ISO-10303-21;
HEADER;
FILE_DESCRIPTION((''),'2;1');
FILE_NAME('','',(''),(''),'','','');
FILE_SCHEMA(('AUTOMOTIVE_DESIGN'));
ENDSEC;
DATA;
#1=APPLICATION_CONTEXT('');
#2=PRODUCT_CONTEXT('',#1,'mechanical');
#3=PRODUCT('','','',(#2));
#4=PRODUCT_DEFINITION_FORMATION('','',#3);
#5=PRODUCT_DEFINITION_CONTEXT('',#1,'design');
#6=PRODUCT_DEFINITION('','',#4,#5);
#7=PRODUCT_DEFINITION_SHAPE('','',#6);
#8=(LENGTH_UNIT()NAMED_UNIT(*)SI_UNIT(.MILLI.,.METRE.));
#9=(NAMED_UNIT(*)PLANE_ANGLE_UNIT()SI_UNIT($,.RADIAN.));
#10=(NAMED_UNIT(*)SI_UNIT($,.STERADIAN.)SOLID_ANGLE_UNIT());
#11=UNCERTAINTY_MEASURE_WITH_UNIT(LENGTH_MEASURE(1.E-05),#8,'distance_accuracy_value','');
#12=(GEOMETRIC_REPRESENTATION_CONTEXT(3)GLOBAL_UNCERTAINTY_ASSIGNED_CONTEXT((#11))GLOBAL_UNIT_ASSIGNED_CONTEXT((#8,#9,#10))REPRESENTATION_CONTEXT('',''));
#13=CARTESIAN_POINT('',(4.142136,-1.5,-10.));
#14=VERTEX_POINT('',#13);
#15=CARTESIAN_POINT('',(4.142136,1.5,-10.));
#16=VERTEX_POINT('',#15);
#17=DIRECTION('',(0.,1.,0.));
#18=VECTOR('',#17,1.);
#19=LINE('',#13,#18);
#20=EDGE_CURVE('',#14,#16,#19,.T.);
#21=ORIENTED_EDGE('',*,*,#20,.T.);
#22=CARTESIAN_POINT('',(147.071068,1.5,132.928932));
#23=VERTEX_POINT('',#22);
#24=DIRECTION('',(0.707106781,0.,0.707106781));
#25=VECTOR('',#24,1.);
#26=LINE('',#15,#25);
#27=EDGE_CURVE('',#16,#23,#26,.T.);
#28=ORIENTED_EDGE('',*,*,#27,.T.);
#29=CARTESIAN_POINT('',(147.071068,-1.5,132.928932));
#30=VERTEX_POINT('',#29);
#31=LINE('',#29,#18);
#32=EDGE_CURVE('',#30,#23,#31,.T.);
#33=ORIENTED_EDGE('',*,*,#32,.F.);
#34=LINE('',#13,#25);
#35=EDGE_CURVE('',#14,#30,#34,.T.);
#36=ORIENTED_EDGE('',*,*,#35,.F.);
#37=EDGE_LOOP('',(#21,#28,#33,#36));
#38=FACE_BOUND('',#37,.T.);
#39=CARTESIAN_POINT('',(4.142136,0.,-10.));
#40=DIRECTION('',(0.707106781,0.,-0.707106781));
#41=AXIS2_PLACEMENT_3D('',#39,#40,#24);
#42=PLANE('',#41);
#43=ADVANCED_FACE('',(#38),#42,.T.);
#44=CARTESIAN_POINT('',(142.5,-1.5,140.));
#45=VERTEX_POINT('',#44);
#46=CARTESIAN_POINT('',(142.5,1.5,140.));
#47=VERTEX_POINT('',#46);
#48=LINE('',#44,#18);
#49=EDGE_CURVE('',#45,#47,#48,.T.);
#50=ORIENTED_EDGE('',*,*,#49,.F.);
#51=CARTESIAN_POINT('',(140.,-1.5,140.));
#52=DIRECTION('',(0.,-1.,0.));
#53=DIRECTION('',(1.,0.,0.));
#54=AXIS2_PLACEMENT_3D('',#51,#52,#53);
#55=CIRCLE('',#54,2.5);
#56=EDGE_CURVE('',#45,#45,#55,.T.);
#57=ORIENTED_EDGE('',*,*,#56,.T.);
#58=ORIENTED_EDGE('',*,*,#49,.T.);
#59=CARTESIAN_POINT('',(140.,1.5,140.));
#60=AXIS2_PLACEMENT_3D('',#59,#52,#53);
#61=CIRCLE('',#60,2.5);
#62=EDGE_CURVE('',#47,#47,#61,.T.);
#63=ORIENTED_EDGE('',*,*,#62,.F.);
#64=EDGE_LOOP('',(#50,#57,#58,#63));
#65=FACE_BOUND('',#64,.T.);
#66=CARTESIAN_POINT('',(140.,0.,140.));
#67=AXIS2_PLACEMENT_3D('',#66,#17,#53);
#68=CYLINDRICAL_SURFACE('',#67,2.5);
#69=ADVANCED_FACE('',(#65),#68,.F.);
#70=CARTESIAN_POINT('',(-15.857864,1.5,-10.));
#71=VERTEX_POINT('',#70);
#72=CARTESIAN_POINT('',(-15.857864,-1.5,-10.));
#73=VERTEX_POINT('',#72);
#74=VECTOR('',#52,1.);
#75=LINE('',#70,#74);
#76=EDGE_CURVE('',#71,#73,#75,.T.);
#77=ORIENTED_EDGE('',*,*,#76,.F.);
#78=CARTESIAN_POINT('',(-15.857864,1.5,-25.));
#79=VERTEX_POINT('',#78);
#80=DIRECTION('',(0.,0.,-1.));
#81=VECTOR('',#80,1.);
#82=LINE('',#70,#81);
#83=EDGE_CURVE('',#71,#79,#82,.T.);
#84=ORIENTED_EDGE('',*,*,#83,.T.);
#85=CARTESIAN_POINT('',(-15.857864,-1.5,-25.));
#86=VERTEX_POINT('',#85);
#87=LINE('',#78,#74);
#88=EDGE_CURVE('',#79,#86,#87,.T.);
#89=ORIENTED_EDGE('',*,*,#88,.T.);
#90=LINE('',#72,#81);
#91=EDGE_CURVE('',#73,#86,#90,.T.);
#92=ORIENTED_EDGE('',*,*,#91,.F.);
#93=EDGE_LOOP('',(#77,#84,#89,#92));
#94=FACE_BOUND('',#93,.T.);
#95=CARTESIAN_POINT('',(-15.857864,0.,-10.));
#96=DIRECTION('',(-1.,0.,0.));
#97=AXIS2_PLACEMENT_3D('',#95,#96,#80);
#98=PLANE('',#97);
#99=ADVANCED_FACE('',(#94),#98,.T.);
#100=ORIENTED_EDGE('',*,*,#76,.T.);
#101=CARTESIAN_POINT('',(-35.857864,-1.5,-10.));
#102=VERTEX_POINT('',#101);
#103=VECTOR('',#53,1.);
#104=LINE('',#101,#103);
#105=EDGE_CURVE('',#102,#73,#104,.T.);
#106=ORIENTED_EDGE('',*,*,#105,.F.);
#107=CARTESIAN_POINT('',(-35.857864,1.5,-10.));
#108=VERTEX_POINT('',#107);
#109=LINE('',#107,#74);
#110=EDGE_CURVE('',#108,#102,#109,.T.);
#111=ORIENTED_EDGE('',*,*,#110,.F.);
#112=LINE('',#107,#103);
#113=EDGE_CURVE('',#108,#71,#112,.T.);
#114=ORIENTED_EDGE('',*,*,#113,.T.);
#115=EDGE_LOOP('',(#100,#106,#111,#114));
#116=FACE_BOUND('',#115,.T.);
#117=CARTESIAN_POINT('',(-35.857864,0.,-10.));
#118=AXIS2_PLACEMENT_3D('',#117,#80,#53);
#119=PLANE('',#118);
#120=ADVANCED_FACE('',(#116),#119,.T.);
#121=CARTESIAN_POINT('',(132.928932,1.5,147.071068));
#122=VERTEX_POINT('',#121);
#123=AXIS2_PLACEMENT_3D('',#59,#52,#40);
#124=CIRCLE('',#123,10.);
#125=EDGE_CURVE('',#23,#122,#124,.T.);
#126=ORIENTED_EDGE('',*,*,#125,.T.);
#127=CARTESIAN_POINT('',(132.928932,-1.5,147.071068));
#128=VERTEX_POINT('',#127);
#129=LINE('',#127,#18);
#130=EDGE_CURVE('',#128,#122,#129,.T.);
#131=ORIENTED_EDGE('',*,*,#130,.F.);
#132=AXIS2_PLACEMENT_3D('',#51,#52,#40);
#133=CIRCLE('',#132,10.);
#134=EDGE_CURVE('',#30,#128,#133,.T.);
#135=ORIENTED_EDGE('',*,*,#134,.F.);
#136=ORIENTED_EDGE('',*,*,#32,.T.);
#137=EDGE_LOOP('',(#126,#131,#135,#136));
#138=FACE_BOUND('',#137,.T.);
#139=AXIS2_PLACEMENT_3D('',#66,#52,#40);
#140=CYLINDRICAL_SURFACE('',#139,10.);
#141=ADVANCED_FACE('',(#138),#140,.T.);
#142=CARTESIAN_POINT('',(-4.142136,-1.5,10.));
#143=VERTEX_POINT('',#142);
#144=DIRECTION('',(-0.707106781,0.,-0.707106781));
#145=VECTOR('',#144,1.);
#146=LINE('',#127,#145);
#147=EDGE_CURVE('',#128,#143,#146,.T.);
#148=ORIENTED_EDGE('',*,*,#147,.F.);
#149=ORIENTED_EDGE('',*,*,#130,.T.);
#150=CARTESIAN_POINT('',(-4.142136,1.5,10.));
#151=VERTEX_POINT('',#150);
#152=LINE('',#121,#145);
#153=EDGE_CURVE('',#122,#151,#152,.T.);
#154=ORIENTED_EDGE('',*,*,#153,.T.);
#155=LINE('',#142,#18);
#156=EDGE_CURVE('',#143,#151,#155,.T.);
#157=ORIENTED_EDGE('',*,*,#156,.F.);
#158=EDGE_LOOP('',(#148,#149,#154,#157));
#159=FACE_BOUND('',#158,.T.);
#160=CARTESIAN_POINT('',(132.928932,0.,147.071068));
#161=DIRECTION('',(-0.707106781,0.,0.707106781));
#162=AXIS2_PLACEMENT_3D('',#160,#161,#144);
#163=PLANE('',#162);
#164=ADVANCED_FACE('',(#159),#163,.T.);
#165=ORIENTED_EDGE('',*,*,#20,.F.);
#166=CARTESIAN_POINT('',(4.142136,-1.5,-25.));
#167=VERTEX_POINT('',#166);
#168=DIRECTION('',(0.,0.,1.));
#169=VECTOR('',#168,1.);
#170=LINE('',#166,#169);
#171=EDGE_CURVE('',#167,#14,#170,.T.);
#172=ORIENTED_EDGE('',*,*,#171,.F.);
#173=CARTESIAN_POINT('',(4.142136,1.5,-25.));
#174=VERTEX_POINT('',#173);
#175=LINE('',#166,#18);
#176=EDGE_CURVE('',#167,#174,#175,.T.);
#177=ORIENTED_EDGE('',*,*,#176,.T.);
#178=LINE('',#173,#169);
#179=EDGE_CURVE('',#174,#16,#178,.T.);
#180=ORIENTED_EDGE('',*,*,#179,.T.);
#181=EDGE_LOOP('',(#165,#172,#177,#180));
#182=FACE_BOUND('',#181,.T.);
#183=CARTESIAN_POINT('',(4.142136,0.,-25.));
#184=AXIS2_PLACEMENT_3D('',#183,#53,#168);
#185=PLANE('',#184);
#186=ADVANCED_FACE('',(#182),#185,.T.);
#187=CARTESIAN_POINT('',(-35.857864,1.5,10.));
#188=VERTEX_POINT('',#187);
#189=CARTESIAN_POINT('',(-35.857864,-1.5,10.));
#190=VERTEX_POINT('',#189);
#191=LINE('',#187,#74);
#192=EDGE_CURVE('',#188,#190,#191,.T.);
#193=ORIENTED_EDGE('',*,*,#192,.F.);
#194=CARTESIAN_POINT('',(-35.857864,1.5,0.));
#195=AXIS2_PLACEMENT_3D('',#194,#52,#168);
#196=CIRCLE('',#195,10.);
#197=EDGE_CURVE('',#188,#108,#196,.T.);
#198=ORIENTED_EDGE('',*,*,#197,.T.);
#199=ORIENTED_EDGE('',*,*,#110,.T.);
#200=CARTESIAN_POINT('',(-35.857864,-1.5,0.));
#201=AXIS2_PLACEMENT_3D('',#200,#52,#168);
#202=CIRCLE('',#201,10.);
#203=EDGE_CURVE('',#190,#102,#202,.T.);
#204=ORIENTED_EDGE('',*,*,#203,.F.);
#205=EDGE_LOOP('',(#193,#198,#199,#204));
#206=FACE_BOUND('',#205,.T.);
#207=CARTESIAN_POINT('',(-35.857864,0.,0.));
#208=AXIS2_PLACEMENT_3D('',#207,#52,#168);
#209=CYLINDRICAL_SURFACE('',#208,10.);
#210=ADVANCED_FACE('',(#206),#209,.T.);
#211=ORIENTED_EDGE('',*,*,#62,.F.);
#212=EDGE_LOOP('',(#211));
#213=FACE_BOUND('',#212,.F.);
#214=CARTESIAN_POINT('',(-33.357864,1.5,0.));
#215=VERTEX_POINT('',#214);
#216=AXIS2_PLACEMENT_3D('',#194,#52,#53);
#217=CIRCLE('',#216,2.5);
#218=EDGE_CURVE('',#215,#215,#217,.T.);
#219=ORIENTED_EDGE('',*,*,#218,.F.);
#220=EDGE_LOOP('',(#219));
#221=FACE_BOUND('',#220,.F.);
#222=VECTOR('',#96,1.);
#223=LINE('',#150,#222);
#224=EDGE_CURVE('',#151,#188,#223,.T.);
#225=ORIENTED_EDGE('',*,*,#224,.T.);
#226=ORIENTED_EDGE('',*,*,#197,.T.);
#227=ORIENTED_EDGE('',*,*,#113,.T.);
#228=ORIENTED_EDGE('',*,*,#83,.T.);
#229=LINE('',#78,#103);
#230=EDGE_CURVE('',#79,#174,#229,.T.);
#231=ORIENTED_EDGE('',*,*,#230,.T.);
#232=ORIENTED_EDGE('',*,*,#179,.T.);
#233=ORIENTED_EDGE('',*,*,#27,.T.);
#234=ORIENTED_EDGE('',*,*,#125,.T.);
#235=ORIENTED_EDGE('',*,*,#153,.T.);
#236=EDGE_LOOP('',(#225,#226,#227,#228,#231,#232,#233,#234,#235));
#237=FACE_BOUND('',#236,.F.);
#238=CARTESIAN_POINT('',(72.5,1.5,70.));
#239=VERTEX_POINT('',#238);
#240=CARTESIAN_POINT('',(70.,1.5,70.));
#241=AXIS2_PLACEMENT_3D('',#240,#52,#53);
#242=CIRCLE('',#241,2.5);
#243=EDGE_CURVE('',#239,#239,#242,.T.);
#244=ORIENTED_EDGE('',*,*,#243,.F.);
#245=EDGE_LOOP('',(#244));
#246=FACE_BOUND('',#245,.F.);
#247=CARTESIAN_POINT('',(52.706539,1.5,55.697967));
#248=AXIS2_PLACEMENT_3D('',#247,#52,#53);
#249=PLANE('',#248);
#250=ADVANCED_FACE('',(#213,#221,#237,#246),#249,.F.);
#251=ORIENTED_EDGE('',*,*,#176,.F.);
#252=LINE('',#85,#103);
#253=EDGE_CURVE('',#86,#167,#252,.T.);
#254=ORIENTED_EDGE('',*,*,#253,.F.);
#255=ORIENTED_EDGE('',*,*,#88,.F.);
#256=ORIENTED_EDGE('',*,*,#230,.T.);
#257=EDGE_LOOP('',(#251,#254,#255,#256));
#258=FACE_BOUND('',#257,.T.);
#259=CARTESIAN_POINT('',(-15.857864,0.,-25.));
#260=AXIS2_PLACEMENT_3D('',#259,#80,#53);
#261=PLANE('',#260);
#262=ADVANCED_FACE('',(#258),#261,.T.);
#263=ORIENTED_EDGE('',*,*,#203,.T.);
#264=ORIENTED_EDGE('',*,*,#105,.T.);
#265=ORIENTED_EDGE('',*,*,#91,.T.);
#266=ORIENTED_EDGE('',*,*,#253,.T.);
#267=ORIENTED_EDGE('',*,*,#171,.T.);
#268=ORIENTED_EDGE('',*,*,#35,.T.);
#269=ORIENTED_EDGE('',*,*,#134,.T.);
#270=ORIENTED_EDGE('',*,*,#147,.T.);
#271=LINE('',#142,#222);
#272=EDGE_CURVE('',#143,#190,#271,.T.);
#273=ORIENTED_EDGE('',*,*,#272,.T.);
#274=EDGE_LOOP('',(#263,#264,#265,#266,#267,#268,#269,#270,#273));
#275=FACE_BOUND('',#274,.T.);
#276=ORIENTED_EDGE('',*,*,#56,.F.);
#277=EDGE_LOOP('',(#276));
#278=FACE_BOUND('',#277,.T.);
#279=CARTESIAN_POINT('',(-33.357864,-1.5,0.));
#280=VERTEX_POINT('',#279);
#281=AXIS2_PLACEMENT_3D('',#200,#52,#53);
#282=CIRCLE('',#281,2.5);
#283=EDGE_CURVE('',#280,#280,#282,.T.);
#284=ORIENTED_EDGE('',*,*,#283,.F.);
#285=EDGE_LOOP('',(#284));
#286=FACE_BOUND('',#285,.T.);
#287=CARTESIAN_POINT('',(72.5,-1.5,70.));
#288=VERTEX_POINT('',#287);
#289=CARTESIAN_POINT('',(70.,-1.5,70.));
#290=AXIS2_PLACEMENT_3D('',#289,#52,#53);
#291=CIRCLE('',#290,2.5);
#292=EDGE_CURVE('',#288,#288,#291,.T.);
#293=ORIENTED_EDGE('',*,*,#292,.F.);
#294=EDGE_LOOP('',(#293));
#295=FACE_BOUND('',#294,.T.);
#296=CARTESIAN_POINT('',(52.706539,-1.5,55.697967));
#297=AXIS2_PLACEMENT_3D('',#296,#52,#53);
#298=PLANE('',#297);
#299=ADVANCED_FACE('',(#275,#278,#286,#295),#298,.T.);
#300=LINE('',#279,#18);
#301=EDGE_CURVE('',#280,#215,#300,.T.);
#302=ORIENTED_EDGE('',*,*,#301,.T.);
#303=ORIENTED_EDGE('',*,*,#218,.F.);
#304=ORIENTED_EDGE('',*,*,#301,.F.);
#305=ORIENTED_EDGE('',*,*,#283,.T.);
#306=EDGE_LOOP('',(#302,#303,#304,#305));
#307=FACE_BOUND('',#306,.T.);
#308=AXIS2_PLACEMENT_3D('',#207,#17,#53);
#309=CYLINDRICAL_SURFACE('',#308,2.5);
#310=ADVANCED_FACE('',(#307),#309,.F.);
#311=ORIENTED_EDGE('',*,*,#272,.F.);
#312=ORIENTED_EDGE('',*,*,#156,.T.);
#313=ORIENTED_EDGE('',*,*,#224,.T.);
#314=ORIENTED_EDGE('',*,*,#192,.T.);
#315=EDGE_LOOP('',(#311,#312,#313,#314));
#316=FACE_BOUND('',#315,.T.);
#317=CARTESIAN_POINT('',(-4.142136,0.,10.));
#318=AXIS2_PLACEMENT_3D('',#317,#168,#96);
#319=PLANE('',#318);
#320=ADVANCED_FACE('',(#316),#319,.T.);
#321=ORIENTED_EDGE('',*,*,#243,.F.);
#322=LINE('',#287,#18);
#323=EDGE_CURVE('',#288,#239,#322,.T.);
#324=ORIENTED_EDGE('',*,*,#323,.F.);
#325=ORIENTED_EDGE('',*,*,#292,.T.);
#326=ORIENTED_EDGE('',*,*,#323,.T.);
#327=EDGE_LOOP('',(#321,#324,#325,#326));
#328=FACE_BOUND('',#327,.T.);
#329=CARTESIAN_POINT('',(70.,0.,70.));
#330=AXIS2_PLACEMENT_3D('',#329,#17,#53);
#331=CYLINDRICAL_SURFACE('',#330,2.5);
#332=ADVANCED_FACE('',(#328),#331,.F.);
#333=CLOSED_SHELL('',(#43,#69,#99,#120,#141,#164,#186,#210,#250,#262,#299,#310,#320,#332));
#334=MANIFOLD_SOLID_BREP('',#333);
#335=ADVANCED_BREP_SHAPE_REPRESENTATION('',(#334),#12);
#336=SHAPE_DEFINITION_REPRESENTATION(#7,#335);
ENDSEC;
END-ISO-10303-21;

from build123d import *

# Parameters (mm, degrees)
F0_R     = 2.5
F1_DEPTH = 1.5


with BuildPart() as f1:
    # F0 (on Front) → F1 (new body, symmetric)
    with BuildSketch(Plane.XZ):
        with BuildLine():
            Line((-4.142136, 10), (-35.857864, 10))
            ThreePointArc((-35.857864, 10), (-45.857864, 0), (-35.857864, -10))
            Line((-35.857864, -10), (-15.857864, -10))
            Line((-15.857864, -10), (-15.857864, -25))
            Line((-15.857864, -25), (4.142136, -25))
            Line((4.142136, -25), (4.142136, -10))
            Line((4.142136, -10), (147.071068, 132.928932))
            ThreePointArc((147.071068, 132.928932), (147.071068, 147.071068), (132.928932, 147.071068))
            Line((132.928932, 147.071068), (-4.142136, 10))
        make_face()
        with Locations((-35.857864, 0)):
            Circle(F0_R, mode=Mode.SUBTRACT)
        with Locations((70, 70)):
            Circle(F0_R, mode=Mode.SUBTRACT)
        with Locations((140, 140)):
            Circle(F0_R, mode=Mode.SUBTRACT)
    extrude(amount=F1_DEPTH, both=True)


solid = f1.part
